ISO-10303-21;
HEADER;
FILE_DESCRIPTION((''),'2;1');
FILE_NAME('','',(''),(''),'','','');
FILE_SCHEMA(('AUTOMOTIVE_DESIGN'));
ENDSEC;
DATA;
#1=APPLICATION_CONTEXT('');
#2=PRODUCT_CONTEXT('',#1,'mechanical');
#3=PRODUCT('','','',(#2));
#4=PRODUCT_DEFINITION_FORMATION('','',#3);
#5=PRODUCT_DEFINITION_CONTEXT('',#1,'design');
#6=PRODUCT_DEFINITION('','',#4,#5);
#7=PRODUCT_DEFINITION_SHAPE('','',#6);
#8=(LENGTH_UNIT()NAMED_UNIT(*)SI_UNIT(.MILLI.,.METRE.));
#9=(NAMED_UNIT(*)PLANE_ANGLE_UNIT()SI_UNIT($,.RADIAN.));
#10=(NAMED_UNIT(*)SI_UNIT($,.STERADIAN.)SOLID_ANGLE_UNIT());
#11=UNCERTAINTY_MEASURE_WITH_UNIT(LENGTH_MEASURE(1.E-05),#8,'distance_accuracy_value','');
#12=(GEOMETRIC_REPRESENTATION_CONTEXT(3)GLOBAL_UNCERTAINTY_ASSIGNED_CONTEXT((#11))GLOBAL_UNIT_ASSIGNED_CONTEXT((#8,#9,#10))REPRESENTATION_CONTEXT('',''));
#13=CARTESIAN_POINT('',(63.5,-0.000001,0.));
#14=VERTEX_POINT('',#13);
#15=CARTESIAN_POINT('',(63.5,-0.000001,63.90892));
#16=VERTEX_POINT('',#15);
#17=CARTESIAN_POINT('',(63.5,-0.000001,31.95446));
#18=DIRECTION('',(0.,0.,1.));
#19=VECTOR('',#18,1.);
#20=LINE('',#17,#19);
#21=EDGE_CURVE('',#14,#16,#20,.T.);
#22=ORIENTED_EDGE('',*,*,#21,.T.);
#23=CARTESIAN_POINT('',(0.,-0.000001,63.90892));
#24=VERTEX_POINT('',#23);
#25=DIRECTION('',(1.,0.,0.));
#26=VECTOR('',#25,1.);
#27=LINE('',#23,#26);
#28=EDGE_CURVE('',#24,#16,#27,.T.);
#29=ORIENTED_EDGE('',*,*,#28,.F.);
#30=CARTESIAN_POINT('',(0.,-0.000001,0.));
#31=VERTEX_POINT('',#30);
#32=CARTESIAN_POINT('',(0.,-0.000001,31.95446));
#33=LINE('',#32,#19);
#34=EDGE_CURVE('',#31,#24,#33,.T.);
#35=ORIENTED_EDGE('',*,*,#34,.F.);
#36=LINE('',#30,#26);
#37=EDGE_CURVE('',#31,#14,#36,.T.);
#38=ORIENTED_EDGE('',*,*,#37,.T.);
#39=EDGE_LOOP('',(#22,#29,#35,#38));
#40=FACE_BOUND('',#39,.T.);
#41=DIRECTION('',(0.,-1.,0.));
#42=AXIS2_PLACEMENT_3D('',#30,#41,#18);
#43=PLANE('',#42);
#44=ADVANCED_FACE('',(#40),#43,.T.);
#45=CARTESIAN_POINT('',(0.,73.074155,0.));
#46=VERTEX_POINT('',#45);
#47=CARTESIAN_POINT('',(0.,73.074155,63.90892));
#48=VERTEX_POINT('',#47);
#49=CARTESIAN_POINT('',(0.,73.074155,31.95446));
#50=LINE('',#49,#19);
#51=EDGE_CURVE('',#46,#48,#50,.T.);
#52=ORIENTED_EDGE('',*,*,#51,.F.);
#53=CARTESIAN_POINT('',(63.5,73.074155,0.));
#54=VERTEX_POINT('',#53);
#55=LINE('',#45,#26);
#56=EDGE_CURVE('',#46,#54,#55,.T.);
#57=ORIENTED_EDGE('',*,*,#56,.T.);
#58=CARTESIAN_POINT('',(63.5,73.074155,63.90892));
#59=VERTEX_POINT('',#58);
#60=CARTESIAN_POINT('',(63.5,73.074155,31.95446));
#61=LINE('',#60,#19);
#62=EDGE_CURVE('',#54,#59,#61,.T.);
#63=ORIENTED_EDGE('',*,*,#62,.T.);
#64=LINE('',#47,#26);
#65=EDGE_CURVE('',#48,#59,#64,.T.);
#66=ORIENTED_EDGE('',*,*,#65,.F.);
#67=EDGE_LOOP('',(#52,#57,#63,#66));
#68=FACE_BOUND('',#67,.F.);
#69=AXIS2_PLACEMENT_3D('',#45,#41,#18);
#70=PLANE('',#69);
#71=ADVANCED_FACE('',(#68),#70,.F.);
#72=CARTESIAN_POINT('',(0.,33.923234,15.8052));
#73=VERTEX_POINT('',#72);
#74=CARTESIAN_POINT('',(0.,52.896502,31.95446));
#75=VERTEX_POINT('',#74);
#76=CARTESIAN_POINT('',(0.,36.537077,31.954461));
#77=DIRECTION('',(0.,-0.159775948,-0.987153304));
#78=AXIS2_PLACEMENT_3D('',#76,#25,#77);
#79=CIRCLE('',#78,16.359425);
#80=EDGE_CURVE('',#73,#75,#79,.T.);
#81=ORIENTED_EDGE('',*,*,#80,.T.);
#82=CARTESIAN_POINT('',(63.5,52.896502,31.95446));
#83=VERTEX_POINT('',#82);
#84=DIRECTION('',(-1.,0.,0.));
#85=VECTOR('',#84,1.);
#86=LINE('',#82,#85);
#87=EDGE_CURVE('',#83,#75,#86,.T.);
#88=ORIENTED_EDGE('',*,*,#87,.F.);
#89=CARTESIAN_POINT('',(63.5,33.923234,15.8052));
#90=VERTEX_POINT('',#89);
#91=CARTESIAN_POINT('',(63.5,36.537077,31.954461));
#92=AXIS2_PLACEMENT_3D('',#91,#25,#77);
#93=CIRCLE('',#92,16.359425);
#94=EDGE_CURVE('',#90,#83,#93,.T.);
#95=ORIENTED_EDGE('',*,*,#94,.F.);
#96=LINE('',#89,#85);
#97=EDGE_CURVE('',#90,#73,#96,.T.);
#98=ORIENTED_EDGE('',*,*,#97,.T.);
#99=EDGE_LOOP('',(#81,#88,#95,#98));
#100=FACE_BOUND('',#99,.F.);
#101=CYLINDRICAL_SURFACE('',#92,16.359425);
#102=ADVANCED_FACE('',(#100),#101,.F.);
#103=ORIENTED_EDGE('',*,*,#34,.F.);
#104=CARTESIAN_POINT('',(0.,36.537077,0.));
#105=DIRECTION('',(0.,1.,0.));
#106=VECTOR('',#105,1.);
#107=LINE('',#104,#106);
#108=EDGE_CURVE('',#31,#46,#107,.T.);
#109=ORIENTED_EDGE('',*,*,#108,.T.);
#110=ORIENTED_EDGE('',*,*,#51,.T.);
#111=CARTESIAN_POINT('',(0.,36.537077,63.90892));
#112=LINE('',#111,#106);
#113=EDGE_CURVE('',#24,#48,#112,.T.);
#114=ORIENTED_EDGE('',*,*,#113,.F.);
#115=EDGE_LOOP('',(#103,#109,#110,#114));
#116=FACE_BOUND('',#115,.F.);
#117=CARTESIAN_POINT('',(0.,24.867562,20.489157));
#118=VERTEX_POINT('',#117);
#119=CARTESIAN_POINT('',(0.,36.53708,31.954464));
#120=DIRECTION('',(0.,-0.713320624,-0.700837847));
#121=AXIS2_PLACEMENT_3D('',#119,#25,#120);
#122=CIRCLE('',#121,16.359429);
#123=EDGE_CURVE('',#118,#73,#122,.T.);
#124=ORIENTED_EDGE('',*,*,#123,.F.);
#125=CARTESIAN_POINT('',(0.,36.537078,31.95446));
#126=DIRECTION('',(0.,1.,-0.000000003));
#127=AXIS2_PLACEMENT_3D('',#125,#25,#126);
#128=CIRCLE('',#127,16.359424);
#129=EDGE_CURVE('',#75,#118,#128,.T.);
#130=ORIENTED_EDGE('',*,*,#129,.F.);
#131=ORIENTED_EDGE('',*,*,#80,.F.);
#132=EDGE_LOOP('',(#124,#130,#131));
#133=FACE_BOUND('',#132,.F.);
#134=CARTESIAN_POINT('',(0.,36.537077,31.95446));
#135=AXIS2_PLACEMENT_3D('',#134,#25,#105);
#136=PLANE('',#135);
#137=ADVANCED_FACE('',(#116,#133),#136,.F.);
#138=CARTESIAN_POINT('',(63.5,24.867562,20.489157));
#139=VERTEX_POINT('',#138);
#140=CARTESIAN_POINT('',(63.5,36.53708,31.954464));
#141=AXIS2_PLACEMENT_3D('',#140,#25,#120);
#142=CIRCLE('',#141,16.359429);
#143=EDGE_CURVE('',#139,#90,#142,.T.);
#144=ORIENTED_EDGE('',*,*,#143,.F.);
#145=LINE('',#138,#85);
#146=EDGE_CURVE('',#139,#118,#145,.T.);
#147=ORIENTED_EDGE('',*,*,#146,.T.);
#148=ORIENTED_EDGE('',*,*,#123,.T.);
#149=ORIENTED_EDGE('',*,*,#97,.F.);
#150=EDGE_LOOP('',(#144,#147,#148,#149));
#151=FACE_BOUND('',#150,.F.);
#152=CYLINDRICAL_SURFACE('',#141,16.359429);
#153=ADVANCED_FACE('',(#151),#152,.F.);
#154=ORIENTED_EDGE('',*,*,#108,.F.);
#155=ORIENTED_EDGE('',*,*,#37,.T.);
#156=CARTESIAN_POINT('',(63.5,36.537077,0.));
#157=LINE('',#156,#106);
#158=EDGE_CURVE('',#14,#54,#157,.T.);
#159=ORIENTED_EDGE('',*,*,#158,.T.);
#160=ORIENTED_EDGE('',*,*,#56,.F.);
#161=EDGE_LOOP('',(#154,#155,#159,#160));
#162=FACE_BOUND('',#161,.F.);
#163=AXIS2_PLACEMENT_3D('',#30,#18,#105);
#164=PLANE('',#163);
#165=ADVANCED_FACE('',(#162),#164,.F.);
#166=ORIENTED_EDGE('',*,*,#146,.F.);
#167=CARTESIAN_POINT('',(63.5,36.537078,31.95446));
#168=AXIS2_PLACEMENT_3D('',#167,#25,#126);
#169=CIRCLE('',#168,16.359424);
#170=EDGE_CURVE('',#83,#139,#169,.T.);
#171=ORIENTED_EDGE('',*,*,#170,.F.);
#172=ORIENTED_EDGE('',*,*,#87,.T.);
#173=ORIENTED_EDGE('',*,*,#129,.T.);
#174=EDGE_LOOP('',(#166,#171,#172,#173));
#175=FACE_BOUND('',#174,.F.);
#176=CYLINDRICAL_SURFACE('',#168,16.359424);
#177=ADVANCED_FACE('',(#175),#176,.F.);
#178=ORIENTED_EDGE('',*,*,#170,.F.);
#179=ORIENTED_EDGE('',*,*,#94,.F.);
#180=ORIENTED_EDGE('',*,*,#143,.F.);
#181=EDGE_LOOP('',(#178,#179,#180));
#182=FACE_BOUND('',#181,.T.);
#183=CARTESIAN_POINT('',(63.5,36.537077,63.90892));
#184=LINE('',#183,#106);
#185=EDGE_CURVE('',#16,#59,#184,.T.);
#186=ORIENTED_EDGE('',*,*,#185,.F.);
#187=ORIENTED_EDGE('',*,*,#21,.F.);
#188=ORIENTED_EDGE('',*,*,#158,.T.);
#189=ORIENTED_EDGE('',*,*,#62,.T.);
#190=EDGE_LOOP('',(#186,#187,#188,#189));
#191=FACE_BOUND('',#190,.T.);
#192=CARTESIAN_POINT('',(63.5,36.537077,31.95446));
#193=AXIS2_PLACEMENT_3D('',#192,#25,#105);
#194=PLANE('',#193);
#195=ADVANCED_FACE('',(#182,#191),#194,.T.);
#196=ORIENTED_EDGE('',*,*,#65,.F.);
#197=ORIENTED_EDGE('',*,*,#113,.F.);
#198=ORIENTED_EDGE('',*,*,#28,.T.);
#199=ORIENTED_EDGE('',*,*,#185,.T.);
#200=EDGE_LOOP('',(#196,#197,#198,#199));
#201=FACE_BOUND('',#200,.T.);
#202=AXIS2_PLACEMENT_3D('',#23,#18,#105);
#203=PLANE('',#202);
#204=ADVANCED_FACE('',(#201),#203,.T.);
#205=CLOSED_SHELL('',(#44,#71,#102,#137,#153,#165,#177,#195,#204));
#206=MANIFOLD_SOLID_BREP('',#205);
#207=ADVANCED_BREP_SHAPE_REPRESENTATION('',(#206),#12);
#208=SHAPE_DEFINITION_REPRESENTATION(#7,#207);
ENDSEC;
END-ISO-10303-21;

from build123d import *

# Parameters (mm, degrees)
F0_W     = 73.074155
F0_H     = 63.90892
F1_DEPTH = 63.5
F3_DEPTH = 63.5


with BuildPart() as f1:
    # F0 (on Right) → F1 (new body)
    with BuildSketch(Plane.YZ):
        with Locations((36.537077, 31.95446)):
            Rectangle(F0_W, F0_H)
    extrude(amount=F1_DEPTH)

    # F2 (on face) → F3 (cut)
    with BuildSketch(Plane.YZ.offset(63.5)):
        with BuildLine():
            ThreePointArc((24.867562, 20.489157), (29.021198, 17.423723), (33.923234, 15.8052))
            ThreePointArc((33.923234, 15.8052), (30.073151, 19.457503), (24.867562, 20.489157))
        make_face()
        with BuildLine():
            ThreePointArc((24.867562, 20.489157), (30.073151, 19.457503), (33.923234, 15.8052))
            ThreePointArc((33.923234, 15.8052), (47.14061, 19.496697), (52.896502, 31.95446))
            ThreePointArc((52.896502, 31.95446), (30.343362, 47.09608), (24.867562, 20.489157))
        make_face()
    extrude(amount=-F3_DEPTH, mode=Mode.SUBTRACT)


solid = f1.part
